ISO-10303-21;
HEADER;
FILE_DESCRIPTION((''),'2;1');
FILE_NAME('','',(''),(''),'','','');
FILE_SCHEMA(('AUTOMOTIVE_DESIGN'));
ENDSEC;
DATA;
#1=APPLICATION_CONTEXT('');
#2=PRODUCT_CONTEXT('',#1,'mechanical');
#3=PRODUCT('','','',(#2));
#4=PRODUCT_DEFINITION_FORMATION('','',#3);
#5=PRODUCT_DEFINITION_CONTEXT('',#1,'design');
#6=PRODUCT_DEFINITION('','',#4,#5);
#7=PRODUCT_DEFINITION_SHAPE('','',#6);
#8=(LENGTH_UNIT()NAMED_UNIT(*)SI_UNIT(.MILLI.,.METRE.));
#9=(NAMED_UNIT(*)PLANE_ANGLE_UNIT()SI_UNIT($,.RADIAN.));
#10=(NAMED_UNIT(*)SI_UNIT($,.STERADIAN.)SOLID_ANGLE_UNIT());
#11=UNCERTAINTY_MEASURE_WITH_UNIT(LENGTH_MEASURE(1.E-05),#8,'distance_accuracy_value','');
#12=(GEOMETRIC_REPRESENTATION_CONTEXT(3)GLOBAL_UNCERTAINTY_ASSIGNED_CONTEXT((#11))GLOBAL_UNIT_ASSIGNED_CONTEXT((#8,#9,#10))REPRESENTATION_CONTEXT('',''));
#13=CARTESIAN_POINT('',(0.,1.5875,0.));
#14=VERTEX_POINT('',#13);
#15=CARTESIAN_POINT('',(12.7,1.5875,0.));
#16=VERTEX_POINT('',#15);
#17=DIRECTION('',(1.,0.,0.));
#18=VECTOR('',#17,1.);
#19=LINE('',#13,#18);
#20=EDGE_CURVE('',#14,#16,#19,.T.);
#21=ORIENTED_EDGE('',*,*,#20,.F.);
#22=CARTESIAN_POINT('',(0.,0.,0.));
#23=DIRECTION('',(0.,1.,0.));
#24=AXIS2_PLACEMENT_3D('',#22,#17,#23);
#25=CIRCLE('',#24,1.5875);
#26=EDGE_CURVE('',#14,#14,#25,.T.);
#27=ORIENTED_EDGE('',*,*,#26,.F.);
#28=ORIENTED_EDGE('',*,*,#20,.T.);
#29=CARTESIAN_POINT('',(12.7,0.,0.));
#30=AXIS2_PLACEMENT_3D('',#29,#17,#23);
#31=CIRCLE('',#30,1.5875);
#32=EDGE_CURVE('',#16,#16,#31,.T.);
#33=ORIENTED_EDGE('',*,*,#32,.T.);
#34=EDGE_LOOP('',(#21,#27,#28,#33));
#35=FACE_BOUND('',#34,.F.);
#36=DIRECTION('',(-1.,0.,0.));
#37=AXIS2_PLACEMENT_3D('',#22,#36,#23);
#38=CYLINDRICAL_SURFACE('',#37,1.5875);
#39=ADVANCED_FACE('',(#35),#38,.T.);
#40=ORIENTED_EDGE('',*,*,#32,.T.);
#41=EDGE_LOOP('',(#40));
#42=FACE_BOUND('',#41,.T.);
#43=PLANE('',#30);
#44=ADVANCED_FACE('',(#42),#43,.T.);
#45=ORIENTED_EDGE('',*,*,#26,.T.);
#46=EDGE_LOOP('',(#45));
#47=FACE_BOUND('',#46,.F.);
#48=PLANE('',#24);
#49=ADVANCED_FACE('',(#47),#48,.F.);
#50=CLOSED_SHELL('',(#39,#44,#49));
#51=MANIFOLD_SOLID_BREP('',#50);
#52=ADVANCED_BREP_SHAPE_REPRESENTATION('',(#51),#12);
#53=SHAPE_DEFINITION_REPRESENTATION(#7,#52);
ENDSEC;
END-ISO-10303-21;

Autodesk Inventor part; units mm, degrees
ref_plane "YZ Plane" through (0, 0, 0) normal (1, 0, 0) x (0, 1, 0)
ref_plane "XZ Plane" through (0, 0, 0) normal (0, 1, 0) x (-1, 0, 0)
ref_plane "XY Plane" through (0, 0, 0) normal (0, 0, 1) x (1, 0, 0)
sketch "Sketch1" plane through (0, 0, 0) normal (1, 0, 0) x (0, 1, 0)
  circle A0 centre (0, 0) radius 1.5875
  dimension "d0" = 3.175
extrude "Extrusion1" add sketch "Sketch1" along normal blind 12.7
properties part number "Spacer"
